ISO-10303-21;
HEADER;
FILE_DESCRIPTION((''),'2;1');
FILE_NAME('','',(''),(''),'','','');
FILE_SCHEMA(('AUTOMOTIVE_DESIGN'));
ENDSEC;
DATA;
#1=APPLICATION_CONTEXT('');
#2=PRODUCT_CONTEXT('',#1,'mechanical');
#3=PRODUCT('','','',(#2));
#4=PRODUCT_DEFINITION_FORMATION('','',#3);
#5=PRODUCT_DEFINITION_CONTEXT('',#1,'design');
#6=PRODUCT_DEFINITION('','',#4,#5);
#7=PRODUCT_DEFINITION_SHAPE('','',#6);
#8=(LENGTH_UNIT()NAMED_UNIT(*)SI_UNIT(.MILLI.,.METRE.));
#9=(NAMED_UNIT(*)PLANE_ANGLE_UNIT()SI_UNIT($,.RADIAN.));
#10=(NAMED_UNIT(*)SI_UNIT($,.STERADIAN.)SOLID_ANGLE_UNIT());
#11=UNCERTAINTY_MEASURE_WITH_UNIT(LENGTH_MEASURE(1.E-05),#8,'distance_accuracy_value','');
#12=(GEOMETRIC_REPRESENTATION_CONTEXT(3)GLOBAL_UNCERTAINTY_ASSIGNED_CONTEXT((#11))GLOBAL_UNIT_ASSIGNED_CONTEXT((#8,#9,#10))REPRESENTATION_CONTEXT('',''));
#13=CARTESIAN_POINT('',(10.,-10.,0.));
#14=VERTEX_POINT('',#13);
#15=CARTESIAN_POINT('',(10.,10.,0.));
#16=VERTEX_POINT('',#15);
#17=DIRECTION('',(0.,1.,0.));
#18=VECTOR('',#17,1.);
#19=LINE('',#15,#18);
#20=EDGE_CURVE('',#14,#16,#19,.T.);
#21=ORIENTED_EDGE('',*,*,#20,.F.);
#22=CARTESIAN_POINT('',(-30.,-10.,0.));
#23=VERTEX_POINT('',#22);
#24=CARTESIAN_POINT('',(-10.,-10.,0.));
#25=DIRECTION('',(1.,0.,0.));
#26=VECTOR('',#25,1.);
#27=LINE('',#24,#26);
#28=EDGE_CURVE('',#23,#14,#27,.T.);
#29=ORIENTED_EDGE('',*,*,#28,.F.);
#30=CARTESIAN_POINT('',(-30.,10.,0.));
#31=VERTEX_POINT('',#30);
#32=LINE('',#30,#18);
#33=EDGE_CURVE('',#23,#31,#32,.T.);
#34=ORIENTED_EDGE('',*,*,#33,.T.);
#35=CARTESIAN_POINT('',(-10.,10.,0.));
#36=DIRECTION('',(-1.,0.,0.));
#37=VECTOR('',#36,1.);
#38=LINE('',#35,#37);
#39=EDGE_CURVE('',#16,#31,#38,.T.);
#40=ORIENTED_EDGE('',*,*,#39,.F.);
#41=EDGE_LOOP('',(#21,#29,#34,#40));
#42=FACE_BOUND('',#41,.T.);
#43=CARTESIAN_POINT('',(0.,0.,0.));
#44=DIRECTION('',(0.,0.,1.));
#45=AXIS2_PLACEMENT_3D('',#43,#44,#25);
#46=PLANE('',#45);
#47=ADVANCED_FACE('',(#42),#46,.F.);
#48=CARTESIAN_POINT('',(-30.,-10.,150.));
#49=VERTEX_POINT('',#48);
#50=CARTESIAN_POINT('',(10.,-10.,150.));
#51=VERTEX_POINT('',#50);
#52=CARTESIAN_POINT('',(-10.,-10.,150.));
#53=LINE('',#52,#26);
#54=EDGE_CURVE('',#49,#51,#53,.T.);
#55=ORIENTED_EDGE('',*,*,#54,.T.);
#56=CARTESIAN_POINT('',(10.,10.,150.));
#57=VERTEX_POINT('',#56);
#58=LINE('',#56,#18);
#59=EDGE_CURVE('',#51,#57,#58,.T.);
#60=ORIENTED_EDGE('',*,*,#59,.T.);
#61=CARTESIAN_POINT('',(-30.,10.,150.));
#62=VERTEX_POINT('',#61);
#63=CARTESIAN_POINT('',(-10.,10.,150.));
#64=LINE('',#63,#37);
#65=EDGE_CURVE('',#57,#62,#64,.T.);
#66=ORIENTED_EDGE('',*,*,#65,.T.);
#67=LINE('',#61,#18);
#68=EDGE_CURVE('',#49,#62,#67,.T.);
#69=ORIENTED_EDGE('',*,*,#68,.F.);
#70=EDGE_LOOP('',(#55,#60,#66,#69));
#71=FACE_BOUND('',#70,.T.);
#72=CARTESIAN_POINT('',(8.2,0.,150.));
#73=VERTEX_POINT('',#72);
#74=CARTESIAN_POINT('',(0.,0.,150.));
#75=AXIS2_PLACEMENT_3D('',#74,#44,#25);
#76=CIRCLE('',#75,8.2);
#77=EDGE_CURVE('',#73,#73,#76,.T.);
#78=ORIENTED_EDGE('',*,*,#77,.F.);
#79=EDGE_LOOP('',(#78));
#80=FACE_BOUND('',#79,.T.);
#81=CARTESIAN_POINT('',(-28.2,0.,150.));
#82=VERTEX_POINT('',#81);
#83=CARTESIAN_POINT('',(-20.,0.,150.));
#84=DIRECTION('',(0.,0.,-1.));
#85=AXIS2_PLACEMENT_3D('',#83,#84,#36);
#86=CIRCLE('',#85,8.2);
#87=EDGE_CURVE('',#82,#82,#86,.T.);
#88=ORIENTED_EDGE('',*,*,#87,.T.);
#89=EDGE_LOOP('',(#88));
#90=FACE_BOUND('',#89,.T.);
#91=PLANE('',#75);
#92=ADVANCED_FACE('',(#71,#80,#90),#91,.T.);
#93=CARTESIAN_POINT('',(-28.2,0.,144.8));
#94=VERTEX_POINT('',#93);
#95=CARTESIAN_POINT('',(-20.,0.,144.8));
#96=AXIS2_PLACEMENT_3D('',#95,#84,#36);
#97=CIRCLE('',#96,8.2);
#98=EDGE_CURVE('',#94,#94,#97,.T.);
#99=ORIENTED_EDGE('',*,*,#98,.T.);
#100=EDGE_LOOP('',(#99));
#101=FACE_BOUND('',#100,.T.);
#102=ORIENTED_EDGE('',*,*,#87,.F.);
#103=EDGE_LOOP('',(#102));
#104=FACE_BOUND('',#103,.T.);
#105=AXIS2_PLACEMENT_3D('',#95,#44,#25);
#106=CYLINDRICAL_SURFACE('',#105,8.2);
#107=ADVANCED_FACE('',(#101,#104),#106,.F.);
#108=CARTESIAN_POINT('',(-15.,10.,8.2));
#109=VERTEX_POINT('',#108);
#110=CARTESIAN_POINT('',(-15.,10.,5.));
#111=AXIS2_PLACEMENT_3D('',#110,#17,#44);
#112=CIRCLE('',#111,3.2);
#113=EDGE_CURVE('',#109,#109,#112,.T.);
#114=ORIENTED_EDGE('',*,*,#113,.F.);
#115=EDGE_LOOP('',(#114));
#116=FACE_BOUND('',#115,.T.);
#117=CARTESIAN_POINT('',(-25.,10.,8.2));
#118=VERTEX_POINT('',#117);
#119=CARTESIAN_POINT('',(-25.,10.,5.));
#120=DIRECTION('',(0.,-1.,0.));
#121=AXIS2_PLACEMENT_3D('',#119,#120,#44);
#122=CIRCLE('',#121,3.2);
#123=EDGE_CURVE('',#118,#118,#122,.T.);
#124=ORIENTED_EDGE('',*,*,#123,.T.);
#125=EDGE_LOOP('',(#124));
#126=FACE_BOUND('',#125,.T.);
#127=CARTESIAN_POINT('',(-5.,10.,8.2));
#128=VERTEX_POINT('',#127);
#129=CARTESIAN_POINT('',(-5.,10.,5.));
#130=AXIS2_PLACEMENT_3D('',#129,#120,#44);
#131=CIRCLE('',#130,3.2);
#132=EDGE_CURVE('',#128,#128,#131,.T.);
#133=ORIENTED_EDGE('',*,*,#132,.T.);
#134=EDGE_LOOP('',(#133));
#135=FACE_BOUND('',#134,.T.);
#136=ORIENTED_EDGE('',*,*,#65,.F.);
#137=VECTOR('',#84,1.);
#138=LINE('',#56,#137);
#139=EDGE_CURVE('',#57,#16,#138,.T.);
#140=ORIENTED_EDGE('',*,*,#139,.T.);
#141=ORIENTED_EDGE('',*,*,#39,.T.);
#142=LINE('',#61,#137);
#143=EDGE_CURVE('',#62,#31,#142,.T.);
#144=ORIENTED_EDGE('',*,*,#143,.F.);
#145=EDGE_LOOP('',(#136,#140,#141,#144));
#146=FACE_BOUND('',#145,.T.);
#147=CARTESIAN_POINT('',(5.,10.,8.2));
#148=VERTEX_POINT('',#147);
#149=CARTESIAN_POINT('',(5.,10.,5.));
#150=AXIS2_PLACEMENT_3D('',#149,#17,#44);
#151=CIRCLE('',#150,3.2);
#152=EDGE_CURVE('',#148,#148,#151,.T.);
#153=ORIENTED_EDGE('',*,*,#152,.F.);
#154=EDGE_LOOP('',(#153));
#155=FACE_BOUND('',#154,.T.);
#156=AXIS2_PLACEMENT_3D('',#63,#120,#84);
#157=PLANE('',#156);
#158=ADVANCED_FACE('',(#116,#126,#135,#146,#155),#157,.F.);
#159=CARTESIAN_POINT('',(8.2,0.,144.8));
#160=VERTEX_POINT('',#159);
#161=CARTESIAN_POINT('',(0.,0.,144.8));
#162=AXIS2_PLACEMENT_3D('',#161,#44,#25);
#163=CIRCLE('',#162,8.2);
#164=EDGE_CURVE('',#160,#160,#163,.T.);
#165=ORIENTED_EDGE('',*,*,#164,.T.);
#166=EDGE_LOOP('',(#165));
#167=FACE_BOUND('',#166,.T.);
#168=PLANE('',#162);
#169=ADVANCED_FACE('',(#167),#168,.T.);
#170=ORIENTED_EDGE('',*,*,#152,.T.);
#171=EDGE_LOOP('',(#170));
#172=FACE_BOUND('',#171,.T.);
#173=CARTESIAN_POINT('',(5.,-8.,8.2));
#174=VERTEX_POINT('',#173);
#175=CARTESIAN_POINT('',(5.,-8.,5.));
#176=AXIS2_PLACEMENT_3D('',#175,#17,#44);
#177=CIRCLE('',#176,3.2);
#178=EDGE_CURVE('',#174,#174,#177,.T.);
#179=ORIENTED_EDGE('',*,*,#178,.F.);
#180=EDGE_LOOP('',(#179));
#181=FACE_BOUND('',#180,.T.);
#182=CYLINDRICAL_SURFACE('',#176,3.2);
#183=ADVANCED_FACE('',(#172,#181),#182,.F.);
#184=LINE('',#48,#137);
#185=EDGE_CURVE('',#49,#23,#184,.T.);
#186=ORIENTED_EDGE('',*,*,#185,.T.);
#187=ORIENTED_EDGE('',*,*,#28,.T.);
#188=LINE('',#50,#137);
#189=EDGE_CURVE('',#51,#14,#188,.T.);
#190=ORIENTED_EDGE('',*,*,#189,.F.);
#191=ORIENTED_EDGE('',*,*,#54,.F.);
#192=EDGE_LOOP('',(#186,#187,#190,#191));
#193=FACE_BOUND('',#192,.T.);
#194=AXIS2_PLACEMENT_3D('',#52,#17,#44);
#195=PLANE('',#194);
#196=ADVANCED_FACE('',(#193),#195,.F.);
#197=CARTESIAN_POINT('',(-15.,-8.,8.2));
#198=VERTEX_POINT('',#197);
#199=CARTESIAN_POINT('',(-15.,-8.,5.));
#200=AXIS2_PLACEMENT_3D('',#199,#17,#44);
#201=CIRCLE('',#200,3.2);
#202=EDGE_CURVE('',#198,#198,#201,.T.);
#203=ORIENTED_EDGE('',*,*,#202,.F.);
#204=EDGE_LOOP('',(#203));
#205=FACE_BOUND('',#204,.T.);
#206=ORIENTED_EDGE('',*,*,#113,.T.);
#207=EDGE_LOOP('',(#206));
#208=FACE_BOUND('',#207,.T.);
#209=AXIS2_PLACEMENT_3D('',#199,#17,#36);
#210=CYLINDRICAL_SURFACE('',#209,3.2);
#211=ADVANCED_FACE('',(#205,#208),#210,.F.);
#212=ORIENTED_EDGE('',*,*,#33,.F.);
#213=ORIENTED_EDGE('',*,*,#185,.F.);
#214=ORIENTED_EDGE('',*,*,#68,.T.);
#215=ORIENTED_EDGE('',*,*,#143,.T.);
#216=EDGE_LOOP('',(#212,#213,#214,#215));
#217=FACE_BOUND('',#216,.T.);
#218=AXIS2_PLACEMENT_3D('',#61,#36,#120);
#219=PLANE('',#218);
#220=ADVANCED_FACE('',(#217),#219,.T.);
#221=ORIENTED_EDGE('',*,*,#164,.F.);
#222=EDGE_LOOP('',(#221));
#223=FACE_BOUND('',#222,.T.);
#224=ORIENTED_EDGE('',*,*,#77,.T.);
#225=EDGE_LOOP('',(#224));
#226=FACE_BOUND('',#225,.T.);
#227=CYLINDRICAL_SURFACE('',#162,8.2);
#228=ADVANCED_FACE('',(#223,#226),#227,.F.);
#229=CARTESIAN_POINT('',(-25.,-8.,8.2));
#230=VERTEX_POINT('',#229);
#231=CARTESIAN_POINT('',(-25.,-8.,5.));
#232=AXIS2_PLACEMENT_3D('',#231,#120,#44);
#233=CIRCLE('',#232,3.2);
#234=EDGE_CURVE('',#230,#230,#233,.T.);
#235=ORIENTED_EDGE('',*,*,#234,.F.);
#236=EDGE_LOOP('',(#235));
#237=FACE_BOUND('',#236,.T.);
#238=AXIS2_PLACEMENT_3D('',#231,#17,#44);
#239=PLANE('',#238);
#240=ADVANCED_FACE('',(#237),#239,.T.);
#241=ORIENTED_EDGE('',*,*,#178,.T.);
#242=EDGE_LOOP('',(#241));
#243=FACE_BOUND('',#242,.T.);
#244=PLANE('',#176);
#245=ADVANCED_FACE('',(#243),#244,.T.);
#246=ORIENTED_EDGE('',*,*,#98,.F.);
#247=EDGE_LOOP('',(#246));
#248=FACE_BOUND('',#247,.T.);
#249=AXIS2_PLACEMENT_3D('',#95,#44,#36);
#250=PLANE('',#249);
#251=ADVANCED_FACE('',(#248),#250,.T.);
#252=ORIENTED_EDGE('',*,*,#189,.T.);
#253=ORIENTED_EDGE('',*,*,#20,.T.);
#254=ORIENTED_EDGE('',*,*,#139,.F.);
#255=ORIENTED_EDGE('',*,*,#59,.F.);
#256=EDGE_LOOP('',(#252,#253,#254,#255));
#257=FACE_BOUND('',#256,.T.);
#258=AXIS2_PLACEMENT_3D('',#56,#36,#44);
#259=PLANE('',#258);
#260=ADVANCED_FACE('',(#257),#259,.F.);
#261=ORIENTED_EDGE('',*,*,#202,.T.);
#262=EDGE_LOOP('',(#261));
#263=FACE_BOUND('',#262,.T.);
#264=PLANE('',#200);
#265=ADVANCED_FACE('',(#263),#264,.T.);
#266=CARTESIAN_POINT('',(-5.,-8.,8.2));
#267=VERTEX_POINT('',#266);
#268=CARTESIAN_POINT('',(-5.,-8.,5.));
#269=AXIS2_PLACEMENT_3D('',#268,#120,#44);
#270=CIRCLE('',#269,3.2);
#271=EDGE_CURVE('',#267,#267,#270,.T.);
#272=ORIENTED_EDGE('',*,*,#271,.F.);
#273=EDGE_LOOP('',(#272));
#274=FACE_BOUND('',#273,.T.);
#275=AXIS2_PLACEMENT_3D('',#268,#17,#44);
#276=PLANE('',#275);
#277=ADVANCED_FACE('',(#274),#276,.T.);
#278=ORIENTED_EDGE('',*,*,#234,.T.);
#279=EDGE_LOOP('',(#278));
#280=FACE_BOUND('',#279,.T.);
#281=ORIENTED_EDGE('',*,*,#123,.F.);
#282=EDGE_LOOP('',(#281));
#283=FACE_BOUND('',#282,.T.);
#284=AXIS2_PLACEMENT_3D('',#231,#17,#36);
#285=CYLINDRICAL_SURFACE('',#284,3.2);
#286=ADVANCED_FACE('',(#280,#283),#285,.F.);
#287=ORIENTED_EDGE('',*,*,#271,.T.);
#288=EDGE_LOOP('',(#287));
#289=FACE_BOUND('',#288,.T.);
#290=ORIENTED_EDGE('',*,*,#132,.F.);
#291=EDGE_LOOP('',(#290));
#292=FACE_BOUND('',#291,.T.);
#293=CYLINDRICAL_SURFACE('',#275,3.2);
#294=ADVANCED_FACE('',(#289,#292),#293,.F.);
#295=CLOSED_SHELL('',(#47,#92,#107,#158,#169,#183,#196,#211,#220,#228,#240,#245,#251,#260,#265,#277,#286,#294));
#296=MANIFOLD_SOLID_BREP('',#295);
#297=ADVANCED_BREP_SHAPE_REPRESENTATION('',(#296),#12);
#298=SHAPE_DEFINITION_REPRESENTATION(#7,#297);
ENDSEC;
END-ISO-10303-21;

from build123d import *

# Parameters (mm, degrees)
SKETCH_1_W               = 20
SKETCH_1_H               = 20
EXTRUDE_1_DEPTH          = 150
SKETCH_2_R               = 8.2
CUT_EXTRUDE_1_DEPTH      = 5.2
SKETCH_3_R               = 3.2
CUT_EXTRUDE_2_DEPTH      = 18
MIRROR_2_COPY_1_SKETCH_R = 3.2
MIRROR_2_COPY_1_DEPTH    = 18


with BuildPart() as part:
    # ｽｹｯﾁ1 → ﾎﾞｽ - 押し出し1 (new body)
    with BuildSketch(Plane.XY):
        Rectangle(SKETCH_1_W, SKETCH_1_H)
    extrude_1 = extrude(amount=EXTRUDE_1_DEPTH)

    # ｽｹｯﾁ2 → ｶｯﾄ - 押し出し1 (cut)
    with BuildSketch(Plane.XY.offset(150)):
        Circle(SKETCH_2_R)
    cut_extrude_1 = extrude(amount=-CUT_EXTRUDE_1_DEPTH, mode=Mode.SUBTRACT)

    # ｽｹｯﾁ3 → ｶｯﾄ - 押し出し2 (cut)
    with BuildSketch(Plane(origin=(0, 10, 0), x_dir=(1, 0, 0), z_dir=(0, 1, 0))):
        with Locations(Location((5, -5, 0), (0, 0, 270))):
            Circle(SKETCH_3_R)
    cut_extrude_2 = extrude(amount=-CUT_EXTRUDE_2_DEPTH, mode=Mode.SUBTRACT)

    # ﾐﾗｰ1: ｶｯﾄ - 押し出し2 across plane
    add(cut_extrude_2.mirror(Plane(origin=(0, 0, 0), x_dir=(0, 0, 1), z_dir=(1, 0, 0))), mode=Mode.SUBTRACT)

    # ﾐﾗｰ2: ﾎﾞｽ - 押し出し1, ｶｯﾄ - 押し出し1, ｶｯﾄ - 押し出し2 across plane
    add(extrude_1.mirror(Plane(origin=(-10, 10, 150), x_dir=(0, 0, 1), z_dir=(1, 0, 0))))
    add(cut_extrude_1.mirror(Plane(origin=(-10, 10, 150), x_dir=(0, 0, 1), z_dir=(1, 0, 0))), mode=Mode.SUBTRACT)
    add(cut_extrude_2.mirror(Plane(origin=(-10, 10, 150), x_dir=(0, 0, 1), z_dir=(1, 0, 0))), mode=Mode.SUBTRACT)

    # ﾐﾗｰ2 copy 1 sketch → ﾐﾗｰ2 copy 1 (cut)
    with BuildSketch(Plane(origin=(-20, 10, 0), x_dir=(1, 0, 0), z_dir=(0, 1, 0))):
        with Locations(Location((5, -5, 0), (0, 0, 270))):
            Circle(MIRROR_2_COPY_1_SKETCH_R)
    extrude(amount=-MIRROR_2_COPY_1_DEPTH, mode=Mode.SUBTRACT)


solid = part.part
